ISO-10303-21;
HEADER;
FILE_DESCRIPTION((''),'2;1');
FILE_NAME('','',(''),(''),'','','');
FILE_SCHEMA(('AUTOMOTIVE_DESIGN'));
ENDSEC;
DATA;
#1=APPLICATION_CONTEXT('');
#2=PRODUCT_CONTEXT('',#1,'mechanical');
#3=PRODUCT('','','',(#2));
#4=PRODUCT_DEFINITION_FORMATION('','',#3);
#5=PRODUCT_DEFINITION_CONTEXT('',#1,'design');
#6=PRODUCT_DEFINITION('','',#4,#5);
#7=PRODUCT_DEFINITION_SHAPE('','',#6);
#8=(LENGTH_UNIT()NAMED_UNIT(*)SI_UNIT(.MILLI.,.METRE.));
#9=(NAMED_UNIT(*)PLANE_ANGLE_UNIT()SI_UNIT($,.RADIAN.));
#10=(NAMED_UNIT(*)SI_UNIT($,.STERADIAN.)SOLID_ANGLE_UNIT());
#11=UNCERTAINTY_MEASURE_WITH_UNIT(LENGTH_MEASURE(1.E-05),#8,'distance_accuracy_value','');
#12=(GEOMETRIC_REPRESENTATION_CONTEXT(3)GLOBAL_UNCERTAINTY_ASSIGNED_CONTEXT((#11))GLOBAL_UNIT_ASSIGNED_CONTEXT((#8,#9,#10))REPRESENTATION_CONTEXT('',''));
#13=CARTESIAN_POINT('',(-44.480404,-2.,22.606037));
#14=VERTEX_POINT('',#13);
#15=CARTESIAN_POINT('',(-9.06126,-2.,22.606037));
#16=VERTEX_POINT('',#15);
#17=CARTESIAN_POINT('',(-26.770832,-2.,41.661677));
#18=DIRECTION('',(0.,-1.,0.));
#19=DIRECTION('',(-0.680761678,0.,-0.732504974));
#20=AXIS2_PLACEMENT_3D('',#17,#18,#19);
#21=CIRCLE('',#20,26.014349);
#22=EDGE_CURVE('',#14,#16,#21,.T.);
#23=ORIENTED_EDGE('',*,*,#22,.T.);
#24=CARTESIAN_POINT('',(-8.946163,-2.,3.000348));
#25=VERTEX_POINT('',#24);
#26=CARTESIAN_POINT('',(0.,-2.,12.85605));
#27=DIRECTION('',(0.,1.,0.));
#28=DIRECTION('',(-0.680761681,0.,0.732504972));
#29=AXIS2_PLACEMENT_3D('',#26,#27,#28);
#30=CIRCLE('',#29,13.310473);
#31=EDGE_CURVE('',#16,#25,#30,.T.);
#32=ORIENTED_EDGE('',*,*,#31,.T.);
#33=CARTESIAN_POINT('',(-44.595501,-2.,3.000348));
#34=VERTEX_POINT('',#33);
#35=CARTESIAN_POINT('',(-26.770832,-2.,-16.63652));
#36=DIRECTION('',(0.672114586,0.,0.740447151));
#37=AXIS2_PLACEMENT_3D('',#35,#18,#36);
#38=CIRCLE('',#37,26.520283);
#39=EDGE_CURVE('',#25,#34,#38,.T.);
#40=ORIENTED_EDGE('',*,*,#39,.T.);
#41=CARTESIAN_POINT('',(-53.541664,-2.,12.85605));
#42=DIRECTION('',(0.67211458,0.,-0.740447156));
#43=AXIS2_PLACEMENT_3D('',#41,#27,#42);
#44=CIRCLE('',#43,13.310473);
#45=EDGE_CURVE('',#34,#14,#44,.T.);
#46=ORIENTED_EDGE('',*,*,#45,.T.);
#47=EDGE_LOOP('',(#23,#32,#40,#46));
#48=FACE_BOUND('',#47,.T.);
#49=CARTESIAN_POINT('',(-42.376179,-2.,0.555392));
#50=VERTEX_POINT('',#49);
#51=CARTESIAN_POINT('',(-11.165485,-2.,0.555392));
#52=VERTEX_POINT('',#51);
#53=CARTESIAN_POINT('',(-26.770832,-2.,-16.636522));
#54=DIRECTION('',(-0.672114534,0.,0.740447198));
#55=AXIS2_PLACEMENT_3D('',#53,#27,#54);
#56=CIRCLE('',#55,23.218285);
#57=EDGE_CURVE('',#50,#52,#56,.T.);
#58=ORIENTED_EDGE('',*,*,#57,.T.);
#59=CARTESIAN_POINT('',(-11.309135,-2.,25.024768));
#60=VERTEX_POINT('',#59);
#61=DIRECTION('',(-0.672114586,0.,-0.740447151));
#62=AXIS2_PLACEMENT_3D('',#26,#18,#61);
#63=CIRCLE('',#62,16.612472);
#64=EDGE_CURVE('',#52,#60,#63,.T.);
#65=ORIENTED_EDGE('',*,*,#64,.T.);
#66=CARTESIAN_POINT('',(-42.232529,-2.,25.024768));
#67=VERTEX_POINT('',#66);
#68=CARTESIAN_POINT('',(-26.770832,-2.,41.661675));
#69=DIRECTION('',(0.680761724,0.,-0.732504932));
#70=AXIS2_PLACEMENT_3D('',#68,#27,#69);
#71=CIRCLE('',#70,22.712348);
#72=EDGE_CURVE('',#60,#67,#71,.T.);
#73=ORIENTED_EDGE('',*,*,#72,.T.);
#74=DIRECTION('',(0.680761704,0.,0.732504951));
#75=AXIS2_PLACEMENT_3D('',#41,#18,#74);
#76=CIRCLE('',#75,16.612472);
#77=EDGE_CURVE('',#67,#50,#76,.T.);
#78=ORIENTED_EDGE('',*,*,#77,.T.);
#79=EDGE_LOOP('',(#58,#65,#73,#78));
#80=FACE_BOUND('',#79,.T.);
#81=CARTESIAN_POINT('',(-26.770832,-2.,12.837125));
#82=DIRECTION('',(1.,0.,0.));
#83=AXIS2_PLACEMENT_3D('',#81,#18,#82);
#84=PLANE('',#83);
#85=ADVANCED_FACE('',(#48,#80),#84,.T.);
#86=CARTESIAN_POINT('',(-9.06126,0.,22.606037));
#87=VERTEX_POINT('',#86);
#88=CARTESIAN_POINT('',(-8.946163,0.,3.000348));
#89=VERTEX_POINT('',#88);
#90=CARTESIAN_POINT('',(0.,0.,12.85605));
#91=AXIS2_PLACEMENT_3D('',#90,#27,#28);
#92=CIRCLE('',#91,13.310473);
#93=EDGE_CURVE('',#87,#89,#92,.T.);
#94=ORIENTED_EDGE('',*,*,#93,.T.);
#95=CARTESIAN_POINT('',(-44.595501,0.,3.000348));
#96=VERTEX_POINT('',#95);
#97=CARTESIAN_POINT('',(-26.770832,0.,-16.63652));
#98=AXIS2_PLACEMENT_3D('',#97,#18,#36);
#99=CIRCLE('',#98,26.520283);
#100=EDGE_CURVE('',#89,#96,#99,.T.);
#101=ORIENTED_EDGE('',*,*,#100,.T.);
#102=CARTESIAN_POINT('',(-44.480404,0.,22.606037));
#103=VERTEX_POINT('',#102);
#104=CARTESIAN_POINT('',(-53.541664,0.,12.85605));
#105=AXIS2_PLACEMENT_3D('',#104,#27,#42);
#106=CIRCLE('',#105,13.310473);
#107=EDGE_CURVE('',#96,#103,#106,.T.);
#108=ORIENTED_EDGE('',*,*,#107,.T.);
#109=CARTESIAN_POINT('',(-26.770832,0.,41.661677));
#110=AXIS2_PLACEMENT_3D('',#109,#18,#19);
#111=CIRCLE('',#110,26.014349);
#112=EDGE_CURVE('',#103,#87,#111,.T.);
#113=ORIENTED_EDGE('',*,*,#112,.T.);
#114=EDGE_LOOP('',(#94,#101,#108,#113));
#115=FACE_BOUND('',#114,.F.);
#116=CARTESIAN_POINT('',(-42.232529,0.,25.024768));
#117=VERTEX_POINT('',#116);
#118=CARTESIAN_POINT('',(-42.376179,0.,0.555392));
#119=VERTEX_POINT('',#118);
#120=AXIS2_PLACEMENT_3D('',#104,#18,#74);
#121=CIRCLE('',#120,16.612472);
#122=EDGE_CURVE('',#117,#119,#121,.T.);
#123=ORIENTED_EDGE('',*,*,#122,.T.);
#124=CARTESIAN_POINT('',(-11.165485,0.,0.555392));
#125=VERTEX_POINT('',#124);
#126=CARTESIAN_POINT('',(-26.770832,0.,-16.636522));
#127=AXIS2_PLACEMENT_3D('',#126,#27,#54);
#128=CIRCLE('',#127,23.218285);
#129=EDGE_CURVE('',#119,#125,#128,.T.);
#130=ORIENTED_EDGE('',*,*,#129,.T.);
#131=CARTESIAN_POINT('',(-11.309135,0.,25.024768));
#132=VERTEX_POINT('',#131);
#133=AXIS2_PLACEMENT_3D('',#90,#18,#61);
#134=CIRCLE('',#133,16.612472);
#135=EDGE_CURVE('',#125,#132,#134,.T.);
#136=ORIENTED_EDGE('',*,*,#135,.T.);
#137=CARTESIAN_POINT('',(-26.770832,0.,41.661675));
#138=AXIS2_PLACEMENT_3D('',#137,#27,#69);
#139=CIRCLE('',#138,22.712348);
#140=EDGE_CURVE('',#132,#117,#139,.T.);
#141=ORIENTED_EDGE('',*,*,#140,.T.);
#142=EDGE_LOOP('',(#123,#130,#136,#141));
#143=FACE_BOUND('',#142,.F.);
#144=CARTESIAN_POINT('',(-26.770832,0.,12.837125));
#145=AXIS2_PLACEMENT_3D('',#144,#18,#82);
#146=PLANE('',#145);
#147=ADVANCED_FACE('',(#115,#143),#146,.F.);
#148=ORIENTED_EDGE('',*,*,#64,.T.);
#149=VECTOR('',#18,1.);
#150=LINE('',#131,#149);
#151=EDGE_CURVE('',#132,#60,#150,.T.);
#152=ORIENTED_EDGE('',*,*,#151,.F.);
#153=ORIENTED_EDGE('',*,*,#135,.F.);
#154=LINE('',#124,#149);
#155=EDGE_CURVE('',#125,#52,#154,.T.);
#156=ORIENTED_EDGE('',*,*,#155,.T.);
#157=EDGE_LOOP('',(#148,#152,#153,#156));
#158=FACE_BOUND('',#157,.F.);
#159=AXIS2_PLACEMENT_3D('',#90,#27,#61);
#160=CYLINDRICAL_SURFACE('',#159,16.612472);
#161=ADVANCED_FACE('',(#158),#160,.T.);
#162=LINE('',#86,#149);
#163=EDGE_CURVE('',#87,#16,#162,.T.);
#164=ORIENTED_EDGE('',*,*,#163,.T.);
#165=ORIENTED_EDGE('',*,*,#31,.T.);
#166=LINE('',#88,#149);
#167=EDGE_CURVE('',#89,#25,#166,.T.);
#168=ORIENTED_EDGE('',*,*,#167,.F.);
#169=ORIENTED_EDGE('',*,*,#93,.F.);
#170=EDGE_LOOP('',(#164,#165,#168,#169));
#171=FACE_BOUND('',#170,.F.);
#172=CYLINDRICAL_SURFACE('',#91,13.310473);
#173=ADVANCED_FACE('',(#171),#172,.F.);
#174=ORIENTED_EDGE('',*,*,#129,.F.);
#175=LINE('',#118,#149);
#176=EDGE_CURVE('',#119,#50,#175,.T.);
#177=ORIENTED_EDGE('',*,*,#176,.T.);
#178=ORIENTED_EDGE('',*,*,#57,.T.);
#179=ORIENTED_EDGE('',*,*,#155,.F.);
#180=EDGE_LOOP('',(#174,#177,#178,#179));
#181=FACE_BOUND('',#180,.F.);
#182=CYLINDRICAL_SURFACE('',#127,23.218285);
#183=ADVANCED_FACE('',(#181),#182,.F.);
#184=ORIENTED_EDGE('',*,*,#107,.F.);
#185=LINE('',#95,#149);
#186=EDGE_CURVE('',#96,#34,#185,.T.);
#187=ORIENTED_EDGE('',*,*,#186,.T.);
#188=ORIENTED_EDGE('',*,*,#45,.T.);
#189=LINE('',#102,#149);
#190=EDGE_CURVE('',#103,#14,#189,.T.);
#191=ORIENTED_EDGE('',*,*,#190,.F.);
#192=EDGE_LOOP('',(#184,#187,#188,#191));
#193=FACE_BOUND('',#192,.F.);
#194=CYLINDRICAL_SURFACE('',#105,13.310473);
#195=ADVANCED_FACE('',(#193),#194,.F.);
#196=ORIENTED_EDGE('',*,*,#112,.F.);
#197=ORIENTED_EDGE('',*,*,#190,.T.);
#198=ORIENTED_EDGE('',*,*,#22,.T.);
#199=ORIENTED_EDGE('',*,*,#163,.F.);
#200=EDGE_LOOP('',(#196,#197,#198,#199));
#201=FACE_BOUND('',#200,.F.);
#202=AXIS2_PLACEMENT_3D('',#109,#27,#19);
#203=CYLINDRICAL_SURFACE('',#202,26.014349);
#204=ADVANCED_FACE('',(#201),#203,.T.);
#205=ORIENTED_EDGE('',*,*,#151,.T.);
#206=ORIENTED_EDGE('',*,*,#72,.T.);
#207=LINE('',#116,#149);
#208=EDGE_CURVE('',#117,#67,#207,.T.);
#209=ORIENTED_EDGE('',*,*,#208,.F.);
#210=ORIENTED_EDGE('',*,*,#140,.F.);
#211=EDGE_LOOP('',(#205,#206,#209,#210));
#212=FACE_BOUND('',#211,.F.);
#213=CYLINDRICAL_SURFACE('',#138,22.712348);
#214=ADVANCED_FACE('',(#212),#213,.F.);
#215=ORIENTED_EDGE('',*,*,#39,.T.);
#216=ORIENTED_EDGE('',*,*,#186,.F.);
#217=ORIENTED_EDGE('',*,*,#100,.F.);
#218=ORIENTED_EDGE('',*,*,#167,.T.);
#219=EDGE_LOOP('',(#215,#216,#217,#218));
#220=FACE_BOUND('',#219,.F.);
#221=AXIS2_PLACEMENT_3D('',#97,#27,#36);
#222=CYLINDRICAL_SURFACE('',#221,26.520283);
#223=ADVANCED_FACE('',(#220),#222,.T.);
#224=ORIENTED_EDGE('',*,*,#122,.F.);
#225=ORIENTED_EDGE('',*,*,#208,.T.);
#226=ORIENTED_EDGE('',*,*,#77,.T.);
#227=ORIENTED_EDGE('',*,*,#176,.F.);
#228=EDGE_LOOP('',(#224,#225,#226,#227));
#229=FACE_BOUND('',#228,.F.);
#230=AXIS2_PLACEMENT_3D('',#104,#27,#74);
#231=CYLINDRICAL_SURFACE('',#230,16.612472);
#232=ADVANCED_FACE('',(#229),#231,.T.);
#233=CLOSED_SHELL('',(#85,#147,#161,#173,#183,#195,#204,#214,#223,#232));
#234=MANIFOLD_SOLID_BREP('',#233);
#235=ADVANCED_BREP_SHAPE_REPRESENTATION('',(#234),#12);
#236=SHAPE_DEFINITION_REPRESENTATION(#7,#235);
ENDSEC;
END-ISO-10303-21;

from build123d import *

# Parameters (mm, degrees)
F1_DEPTH = 2


with BuildPart() as f1:
    # F0 (on Front) → F1 (new body)
    with BuildSketch(Plane.XZ):
        with BuildLine():
            ThreePointArc((-11.309135, 25.024768), (-26.770832, 18.949327), (-42.232529, 25.024768))
            ThreePointArc((-42.232529, 25.024768), (-70.15385, 12.953573), (-42.376179, 0.555392))
            ThreePointArc((-42.376179, 0.555392), (-26.770832, 6.581763), (-11.165485, 0.555392))
            ThreePointArc((-11.165485, 0.555392), (16.612186, 12.953573), (-11.309135, 25.024768))
        make_face()
        with BuildLine():
            ThreePointArc((-44.595501, 3.000348), (-66.851907, 12.934189), (-44.480404, 22.606037))
            ThreePointArc((-44.480404, 22.606037), (-26.770832, 15.647328), (-9.06126, 22.606037))
            ThreePointArc((-9.06126, 22.606037), (13.310243, 12.934189), (-8.946163, 3.000348))
            ThreePointArc((-8.946163, 3.000348), (-26.770832, 9.883763), (-44.595501, 3.000348))
        make_face(mode=Mode.SUBTRACT)
    extrude(amount=F1_DEPTH)


solid = f1.part
